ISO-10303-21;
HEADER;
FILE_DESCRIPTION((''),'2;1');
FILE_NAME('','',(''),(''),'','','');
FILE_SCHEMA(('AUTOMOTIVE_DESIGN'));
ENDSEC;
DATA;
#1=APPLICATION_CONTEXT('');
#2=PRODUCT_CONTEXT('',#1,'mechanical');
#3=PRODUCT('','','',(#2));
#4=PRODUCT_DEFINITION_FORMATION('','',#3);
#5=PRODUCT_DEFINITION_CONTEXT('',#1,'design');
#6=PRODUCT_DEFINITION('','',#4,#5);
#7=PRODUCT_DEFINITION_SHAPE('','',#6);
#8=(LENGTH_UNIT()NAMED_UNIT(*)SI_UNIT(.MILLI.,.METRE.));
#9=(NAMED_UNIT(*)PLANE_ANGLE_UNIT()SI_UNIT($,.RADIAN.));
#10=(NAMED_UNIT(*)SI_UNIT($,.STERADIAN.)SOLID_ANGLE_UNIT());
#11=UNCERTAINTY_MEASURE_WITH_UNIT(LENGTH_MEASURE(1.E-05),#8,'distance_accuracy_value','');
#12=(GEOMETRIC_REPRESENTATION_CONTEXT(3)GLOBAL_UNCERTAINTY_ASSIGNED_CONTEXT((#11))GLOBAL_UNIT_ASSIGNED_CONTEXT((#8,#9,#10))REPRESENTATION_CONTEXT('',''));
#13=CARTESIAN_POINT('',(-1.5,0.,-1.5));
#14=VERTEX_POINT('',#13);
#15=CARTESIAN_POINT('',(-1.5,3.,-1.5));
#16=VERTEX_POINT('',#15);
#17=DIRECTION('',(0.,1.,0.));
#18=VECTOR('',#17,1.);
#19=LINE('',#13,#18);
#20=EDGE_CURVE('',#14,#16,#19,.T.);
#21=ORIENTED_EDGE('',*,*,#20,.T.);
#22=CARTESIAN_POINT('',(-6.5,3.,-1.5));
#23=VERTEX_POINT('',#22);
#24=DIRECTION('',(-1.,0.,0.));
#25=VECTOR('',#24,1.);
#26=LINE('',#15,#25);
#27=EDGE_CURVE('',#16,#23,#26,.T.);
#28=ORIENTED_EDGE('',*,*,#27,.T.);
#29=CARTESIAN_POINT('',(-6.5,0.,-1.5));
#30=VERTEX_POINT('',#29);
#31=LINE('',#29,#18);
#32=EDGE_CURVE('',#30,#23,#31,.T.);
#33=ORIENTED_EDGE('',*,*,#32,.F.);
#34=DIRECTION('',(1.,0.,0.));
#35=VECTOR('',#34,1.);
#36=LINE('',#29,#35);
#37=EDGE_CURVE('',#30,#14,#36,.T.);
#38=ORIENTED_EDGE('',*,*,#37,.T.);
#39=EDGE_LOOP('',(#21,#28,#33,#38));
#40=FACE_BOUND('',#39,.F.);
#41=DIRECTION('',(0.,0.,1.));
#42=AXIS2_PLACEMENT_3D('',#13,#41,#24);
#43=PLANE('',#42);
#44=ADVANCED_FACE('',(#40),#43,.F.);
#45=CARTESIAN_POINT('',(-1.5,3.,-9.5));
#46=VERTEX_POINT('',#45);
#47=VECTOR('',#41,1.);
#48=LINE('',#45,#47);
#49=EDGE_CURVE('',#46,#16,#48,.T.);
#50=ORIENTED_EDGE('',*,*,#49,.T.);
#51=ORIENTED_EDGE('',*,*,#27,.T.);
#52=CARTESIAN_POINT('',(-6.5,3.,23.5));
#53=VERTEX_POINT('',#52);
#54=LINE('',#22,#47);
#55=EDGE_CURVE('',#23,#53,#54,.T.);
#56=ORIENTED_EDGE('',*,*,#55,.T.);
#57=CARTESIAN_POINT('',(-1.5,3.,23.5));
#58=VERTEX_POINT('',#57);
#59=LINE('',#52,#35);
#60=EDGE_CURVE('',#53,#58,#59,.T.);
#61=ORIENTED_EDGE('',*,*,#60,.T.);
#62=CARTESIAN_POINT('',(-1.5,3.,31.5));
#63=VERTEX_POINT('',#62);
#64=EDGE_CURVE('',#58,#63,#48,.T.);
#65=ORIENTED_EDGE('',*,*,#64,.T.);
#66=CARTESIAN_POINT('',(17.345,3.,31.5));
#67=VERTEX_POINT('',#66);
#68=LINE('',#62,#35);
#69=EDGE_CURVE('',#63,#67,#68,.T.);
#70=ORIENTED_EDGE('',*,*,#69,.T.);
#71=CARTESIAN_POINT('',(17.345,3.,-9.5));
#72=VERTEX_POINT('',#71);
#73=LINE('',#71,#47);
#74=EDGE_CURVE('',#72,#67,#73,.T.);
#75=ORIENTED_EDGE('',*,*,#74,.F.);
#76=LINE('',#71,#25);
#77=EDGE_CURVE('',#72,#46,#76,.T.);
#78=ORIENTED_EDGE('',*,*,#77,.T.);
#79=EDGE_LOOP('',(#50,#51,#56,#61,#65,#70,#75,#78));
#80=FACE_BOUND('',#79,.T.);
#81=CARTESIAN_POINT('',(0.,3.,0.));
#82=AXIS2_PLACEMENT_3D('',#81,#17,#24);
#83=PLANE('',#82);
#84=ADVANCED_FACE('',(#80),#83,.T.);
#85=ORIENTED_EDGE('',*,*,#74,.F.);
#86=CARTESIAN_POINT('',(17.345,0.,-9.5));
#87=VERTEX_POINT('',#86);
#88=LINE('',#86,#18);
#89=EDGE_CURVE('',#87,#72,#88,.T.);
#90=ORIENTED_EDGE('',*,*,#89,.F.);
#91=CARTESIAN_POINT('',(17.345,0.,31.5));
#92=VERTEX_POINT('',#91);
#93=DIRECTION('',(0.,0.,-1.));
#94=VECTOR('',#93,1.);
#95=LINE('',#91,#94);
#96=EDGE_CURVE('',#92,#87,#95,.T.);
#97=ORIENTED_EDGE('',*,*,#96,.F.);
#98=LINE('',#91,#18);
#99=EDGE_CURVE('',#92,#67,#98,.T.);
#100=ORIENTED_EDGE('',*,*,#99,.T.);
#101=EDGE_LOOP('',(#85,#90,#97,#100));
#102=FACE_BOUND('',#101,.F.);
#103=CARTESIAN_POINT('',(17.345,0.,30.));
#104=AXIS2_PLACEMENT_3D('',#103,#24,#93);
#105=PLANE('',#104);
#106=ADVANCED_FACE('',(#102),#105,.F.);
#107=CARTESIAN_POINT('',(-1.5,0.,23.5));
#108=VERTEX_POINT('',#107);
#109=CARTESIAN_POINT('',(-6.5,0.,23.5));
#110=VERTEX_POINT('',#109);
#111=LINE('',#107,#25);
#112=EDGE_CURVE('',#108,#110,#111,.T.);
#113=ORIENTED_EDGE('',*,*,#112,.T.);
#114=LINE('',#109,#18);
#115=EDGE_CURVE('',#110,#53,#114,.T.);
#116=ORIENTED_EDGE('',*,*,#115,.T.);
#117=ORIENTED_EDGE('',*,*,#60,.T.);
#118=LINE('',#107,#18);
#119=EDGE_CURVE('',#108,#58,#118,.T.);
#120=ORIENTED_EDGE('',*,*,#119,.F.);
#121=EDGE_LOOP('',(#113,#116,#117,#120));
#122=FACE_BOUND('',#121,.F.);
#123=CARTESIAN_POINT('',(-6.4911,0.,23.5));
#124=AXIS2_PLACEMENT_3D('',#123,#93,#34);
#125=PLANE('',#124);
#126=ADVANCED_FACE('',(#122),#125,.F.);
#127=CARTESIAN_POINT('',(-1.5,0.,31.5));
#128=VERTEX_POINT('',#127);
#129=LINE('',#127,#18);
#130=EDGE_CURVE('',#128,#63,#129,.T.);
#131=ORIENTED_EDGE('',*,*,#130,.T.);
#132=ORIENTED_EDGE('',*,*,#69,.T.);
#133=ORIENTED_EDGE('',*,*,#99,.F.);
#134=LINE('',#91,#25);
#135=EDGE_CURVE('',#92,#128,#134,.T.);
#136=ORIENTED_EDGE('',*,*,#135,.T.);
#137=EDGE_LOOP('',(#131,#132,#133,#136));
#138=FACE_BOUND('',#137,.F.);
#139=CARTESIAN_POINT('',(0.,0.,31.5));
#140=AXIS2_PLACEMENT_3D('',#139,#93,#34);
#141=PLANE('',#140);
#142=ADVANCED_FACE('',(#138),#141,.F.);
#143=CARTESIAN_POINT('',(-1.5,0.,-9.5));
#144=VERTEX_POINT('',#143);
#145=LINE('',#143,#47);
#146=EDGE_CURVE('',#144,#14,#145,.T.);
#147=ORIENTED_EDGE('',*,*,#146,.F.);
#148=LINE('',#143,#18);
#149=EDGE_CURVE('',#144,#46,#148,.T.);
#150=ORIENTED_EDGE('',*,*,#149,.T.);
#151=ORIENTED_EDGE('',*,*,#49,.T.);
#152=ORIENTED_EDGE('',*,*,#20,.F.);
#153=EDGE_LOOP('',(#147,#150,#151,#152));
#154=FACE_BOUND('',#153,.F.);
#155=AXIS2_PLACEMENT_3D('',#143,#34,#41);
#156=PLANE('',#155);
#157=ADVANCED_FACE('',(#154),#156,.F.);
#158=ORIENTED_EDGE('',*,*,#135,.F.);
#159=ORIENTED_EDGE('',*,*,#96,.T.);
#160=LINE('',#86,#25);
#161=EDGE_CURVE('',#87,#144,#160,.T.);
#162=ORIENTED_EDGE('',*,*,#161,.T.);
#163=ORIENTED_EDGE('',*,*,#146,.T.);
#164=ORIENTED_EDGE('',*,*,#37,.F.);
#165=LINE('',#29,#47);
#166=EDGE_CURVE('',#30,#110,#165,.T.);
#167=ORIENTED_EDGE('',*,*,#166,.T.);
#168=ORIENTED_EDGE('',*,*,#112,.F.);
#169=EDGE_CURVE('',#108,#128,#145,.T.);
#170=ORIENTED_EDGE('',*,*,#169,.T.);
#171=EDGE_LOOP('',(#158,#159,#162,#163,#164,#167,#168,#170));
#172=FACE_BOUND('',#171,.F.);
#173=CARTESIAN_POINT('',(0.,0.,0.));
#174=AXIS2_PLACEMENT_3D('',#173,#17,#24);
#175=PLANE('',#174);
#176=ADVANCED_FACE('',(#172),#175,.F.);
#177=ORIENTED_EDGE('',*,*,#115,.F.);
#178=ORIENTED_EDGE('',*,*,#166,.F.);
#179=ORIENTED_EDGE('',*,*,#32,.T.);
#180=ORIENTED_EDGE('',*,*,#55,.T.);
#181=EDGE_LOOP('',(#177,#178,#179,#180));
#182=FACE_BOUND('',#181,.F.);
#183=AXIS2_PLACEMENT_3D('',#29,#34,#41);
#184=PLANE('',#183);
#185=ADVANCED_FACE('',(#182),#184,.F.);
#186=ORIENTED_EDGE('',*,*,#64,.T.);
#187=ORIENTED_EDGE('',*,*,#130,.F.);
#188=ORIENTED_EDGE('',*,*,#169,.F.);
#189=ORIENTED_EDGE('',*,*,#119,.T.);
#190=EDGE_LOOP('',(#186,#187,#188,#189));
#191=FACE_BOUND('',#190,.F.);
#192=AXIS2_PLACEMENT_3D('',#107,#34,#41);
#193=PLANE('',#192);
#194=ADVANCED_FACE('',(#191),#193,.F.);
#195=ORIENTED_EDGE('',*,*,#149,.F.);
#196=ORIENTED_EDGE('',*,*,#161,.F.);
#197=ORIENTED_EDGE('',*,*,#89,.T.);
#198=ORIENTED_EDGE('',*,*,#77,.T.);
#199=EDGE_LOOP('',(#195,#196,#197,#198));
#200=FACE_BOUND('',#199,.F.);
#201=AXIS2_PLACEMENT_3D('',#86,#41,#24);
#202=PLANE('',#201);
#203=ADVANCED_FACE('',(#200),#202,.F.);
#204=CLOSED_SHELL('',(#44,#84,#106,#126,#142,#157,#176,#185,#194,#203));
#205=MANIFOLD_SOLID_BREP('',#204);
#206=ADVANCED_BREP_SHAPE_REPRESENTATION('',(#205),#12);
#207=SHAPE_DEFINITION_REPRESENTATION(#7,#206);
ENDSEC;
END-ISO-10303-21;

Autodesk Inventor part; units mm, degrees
ref_plane "YZ Plane" through (0, 0, 0) normal (1, 0, 0) x (0, 1, 0)
ref_plane "XZ Plane" through (0, 0, 0) normal (0, 1, 0) x (-1, 0, 0)
ref_plane "XY Plane" through (0, 0, 0) normal (0, 0, 1) x (1, 0, 0)
sketch "Sketch1" plane through (0, 0, 0) normal (0, 1, 0) x (-1, 0, 0)
  line L0 (-42.845, -43.5625) -> (-42.845, 65.5625)
  line L1 (33.4911, -43.5625) -> (33.4911, 65.5625)
  line L2 (33.4911, 30) -> (33.4911, -8)
  line L3 (-42.845, -8) -> (-42.845, 30)
  line L4 (-42.845, -43.5625) -> (-42.845, 65.5625)
  line L5 (-42.845, 30) -> (-17.845, 30)
  line L6 (-17.845, 30) -> (-17.845, -8)
  line L7 (-17.845, -8) -> (-42.845, -8)
  line L8 (-42.845, -8) -> (-42.845, 30)
  line L9 (33.4911, 30) -> (8.4911, 30)
  line L10 (8.4911, 30) -> (8.4911, -8)
  line L11 (8.4911, -8) -> (33.4911, -8)
  line L12 (33.4911, -8) -> (33.4911, 30)
  line L13 (-17.845, 30) -> (-17.845, -8)
  line L14 (8.4911, -8) -> (8.4911, 30)
  line L15 (-17.845, 30) -> (-15.845, 30)
  line L16 (-15.845, 30) -> (-15.845, -8)
  line L17 (-15.845, -8) -> (-17.845, -8)
  line L18 (-17.845, -8) -> (-17.845, 30)
  line L19 (8.4911, 30) -> (6.4911, 30)
  line L20 (6.4911, 30) -> (6.4911, -8)
  line L21 (6.4911, -8) -> (8.4911, -8)
  line L22 (8.4911, -8) -> (8.4911, 30)
  line L23 (-15.845, -8) -> (-15.845, 30)
  line L24 (6.4911, 30) -> (6.4911, -8)
  line L25 (-15.845, -8) -> (-15.845, 30)
  line L26 (-15.845, 30) -> (-15.845, -8)
  line L27 (0, 22) -> (0, 40.5625)
  line L28 (-17.845, -8) -> (0, -8)
  line L29 (0, -8) -> (0, 30)
  line L30 (0, 30) -> (-17.845, 30)
  line L31 (-17.845, 30) -> (-17.845, -8)
  line L32 (5, 22) -> (5, 0)
  line L33 (0, 22) -> (5, 22)
  line L34 (5, 22) -> (5, 0)
  line L35 (5, 0) -> (0, 0)
  line L36 (0, 0) -> (0, 22)
  line L37 (1.5, 31.5) -> (-17.345, 31.5)
  line L38 (-17.345, 31.5) -> (-17.345, -9.5)
  line L39 (-17.345, -9.5) -> (1.5, -9.5)
  line L40 (1.5, -9.5) -> (1.5, 31.5)
  line L41 (6.5, 23.5) -> (0, 23.5)
  line L42 (0, 23.5) -> (0, -1.5)
  line L43 (0, -1.5) -> (6.5, -1.5)
  line L44 (6.5, -1.5) -> (6.5, 23.5)
  point P0 (-45.9471, 11)
  point P1 (-45.845, 65.5625)
  point P2 (36.4911, 65.5625)
  point P3 (-42.845, 11)
  point P4 (-42.845, 11)
  dimension "d0" = 38
  dimension "d1" = 25
  dimension "d2" = 38
  dimension "d3" = 25
  dimension "d4" = 2
  dimension "d5" = 2
  dimension "d6" = 1.5
  dimension "d7" = 1.5
  dimension "d8" = 1.5
  dimension "d9" = 1.5
  dimension "d10" = 1.5
  dimension "d11" = 1.5
  dimension "d12" = 1.5
extrude "Extrusion1" add sketch "Sketch1" along normal blind 3 contours L38 L15 L16 L17 | L17 L28 L29 L43 L40 L39 L38 | L38 L37 L27 L30 L15 | L16 L30 L27 L29 L28 | L27 L37 L40 L41 | L29 L35 L40 L43 | L40 L35 L32 L33 L41 L20 L43 | L41 L40 L33 L27 | L29 L33 L40 L35 | L40 L33 L32 L35 | L20 L41 L44 L43
equation "\"d8\" = d7"
equation "\"d9\" = d7"
equation "\"d10\" = d9"
equation "\"d11\" = d7"
equation "\"d12\" = d7"
properties part number "bottom perspex"
